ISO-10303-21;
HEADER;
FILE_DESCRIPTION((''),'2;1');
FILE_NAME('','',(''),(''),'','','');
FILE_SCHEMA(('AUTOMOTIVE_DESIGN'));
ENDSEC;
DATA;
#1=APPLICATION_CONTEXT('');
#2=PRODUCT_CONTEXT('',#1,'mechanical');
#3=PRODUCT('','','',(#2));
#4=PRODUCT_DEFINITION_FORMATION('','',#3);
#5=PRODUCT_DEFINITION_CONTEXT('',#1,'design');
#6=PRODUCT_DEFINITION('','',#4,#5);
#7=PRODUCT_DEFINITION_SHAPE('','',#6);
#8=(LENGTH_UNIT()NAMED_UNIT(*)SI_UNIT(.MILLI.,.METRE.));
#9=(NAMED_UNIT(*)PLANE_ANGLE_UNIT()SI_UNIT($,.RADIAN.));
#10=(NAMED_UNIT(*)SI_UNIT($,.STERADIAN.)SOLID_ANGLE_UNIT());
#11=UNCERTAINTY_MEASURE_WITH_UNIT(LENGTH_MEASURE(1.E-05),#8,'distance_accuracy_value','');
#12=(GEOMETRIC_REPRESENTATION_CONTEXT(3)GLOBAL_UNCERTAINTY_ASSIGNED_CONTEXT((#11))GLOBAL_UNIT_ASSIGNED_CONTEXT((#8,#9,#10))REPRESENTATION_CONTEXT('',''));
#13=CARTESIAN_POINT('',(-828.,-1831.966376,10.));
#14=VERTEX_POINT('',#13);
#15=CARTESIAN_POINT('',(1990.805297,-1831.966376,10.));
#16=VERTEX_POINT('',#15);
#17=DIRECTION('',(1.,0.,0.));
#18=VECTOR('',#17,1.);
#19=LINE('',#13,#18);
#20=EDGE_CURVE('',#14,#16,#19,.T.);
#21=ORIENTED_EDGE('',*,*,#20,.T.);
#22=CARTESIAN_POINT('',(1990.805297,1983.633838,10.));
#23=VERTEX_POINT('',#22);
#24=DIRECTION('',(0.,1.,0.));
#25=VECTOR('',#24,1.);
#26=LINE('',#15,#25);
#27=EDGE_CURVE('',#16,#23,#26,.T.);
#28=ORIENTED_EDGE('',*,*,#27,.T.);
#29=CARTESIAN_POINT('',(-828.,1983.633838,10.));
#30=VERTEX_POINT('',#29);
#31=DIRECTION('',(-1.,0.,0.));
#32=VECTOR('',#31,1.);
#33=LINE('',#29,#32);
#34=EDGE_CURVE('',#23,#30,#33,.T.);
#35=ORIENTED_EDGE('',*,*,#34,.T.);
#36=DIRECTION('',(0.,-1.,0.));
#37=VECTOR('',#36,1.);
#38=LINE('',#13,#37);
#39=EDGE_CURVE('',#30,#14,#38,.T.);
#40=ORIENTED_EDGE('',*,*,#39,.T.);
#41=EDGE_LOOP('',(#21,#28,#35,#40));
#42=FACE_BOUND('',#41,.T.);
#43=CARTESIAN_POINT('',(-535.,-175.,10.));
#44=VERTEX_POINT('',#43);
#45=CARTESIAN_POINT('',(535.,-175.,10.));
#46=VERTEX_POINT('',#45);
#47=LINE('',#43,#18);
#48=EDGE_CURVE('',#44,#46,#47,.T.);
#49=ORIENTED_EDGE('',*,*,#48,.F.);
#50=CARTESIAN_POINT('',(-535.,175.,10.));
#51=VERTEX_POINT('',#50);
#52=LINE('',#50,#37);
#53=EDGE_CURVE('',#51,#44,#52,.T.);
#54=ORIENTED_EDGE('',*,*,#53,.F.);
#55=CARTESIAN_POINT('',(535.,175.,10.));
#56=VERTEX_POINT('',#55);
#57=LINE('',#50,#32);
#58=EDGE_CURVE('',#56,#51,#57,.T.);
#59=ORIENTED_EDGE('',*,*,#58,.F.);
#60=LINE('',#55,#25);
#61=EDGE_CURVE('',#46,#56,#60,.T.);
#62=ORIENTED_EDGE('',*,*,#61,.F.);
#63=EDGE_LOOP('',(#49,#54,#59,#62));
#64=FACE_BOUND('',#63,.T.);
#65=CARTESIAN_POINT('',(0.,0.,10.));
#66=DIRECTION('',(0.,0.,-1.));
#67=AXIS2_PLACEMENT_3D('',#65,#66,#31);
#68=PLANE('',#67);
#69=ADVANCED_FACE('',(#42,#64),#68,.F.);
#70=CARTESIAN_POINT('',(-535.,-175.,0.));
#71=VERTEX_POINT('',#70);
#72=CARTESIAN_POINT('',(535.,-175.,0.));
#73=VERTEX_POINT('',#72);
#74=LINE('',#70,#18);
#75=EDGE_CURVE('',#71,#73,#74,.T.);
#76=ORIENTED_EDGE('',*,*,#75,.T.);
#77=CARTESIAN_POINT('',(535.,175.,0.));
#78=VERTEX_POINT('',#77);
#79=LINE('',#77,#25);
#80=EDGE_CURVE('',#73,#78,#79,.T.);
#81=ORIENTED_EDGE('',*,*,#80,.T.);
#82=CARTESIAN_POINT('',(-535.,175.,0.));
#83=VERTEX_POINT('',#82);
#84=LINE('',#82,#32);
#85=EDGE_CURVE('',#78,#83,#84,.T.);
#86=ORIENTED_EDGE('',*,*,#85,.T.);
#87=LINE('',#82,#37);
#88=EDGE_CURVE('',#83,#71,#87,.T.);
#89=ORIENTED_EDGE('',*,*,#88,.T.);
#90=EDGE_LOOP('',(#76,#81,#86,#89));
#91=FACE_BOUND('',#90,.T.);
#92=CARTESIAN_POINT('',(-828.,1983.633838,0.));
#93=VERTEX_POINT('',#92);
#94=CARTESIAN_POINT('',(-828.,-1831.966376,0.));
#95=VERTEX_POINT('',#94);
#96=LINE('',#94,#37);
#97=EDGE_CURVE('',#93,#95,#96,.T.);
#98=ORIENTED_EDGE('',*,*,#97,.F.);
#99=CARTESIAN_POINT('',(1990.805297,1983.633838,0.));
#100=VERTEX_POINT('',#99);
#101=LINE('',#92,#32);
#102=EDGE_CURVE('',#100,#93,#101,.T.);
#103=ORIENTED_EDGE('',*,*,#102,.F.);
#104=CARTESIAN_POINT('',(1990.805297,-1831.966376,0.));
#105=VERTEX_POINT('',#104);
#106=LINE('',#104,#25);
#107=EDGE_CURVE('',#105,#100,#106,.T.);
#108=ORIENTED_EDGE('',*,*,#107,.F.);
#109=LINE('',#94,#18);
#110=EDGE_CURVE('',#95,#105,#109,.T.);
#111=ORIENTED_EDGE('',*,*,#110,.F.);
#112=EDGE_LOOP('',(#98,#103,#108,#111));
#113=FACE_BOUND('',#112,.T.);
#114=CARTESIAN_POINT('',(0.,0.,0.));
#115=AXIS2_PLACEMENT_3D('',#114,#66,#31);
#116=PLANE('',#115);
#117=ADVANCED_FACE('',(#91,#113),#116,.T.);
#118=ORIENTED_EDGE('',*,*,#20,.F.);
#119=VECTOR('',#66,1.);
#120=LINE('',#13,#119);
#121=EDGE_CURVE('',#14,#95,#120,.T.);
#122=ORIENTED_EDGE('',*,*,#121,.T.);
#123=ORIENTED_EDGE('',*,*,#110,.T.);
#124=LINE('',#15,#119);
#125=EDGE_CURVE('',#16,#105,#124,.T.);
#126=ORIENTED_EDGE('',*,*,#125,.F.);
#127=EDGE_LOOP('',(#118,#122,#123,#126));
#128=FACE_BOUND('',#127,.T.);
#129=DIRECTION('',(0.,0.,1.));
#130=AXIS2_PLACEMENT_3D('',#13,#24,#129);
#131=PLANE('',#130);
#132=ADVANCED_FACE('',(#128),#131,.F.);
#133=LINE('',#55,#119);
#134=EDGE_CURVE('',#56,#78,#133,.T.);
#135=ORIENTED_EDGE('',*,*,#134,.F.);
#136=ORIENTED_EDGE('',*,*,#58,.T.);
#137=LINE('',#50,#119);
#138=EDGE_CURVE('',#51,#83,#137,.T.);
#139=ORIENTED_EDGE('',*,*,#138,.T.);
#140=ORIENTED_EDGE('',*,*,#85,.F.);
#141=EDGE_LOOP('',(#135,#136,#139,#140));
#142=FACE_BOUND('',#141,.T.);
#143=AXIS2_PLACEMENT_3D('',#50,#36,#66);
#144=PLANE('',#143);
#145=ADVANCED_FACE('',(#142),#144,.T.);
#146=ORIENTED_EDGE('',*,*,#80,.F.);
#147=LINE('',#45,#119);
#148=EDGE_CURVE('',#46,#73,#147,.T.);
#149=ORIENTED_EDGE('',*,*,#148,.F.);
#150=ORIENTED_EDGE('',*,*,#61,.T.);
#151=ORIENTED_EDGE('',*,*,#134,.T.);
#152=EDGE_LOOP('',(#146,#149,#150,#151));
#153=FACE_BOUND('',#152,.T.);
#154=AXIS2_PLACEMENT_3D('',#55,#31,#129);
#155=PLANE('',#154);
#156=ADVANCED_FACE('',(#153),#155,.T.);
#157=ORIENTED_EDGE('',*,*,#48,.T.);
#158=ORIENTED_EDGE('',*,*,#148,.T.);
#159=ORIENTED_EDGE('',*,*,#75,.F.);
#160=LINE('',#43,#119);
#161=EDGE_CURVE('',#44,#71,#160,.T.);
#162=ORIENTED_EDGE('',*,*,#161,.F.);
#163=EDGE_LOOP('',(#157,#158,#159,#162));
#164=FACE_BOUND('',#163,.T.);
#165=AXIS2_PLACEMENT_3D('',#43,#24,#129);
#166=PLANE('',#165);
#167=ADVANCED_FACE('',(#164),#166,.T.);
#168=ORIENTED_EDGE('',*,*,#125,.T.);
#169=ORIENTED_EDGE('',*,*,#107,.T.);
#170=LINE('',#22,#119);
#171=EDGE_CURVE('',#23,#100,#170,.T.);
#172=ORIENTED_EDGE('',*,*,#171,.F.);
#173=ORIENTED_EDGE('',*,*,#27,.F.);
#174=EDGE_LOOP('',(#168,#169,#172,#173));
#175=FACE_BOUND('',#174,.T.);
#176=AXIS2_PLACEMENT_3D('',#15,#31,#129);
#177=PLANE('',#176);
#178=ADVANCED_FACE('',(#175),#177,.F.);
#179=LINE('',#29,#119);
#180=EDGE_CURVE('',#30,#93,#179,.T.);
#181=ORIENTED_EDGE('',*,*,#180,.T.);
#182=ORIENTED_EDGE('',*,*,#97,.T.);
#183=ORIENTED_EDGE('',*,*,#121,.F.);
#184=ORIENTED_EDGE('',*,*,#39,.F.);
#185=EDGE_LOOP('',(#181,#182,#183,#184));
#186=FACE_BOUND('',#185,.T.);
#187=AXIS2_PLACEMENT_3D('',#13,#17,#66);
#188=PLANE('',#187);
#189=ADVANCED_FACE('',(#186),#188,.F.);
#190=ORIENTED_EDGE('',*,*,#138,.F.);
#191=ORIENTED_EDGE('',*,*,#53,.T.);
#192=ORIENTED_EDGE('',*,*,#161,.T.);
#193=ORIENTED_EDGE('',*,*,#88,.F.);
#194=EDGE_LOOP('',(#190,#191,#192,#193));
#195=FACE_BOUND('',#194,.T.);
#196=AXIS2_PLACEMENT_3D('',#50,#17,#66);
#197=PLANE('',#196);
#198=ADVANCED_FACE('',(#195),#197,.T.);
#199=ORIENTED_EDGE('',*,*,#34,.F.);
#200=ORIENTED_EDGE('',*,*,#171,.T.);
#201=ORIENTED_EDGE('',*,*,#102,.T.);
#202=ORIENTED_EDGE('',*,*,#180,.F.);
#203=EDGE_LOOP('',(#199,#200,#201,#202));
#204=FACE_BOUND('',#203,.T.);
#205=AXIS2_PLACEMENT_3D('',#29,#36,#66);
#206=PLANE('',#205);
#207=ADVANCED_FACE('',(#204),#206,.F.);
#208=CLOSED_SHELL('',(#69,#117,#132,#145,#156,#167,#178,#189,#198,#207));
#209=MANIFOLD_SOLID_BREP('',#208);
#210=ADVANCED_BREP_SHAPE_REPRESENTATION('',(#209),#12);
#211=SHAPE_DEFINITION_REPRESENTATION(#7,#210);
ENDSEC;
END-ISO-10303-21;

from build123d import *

# Parameters (mm, degrees)
SKETCH2_W           = 2818.805297259
SKETCH2_H           = 3815.600213971
SKETCH2_W_2         = 1070
SKETCH2_H_2         = 350
BOSS_EXTRUDE1_DEPTH = 10


with BuildPart() as part:
    # Sketch2 → Boss-Extrude1 (new body)
    with BuildSketch(Plane.XY):
        with Locations((581.40264863, 75.833730775)):
            Rectangle(SKETCH2_W, SKETCH2_H)
        Rectangle(SKETCH2_W_2, SKETCH2_H_2, mode=Mode.SUBTRACT)
    extrude(amount=BOSS_EXTRUDE1_DEPTH)


solid = part.part
